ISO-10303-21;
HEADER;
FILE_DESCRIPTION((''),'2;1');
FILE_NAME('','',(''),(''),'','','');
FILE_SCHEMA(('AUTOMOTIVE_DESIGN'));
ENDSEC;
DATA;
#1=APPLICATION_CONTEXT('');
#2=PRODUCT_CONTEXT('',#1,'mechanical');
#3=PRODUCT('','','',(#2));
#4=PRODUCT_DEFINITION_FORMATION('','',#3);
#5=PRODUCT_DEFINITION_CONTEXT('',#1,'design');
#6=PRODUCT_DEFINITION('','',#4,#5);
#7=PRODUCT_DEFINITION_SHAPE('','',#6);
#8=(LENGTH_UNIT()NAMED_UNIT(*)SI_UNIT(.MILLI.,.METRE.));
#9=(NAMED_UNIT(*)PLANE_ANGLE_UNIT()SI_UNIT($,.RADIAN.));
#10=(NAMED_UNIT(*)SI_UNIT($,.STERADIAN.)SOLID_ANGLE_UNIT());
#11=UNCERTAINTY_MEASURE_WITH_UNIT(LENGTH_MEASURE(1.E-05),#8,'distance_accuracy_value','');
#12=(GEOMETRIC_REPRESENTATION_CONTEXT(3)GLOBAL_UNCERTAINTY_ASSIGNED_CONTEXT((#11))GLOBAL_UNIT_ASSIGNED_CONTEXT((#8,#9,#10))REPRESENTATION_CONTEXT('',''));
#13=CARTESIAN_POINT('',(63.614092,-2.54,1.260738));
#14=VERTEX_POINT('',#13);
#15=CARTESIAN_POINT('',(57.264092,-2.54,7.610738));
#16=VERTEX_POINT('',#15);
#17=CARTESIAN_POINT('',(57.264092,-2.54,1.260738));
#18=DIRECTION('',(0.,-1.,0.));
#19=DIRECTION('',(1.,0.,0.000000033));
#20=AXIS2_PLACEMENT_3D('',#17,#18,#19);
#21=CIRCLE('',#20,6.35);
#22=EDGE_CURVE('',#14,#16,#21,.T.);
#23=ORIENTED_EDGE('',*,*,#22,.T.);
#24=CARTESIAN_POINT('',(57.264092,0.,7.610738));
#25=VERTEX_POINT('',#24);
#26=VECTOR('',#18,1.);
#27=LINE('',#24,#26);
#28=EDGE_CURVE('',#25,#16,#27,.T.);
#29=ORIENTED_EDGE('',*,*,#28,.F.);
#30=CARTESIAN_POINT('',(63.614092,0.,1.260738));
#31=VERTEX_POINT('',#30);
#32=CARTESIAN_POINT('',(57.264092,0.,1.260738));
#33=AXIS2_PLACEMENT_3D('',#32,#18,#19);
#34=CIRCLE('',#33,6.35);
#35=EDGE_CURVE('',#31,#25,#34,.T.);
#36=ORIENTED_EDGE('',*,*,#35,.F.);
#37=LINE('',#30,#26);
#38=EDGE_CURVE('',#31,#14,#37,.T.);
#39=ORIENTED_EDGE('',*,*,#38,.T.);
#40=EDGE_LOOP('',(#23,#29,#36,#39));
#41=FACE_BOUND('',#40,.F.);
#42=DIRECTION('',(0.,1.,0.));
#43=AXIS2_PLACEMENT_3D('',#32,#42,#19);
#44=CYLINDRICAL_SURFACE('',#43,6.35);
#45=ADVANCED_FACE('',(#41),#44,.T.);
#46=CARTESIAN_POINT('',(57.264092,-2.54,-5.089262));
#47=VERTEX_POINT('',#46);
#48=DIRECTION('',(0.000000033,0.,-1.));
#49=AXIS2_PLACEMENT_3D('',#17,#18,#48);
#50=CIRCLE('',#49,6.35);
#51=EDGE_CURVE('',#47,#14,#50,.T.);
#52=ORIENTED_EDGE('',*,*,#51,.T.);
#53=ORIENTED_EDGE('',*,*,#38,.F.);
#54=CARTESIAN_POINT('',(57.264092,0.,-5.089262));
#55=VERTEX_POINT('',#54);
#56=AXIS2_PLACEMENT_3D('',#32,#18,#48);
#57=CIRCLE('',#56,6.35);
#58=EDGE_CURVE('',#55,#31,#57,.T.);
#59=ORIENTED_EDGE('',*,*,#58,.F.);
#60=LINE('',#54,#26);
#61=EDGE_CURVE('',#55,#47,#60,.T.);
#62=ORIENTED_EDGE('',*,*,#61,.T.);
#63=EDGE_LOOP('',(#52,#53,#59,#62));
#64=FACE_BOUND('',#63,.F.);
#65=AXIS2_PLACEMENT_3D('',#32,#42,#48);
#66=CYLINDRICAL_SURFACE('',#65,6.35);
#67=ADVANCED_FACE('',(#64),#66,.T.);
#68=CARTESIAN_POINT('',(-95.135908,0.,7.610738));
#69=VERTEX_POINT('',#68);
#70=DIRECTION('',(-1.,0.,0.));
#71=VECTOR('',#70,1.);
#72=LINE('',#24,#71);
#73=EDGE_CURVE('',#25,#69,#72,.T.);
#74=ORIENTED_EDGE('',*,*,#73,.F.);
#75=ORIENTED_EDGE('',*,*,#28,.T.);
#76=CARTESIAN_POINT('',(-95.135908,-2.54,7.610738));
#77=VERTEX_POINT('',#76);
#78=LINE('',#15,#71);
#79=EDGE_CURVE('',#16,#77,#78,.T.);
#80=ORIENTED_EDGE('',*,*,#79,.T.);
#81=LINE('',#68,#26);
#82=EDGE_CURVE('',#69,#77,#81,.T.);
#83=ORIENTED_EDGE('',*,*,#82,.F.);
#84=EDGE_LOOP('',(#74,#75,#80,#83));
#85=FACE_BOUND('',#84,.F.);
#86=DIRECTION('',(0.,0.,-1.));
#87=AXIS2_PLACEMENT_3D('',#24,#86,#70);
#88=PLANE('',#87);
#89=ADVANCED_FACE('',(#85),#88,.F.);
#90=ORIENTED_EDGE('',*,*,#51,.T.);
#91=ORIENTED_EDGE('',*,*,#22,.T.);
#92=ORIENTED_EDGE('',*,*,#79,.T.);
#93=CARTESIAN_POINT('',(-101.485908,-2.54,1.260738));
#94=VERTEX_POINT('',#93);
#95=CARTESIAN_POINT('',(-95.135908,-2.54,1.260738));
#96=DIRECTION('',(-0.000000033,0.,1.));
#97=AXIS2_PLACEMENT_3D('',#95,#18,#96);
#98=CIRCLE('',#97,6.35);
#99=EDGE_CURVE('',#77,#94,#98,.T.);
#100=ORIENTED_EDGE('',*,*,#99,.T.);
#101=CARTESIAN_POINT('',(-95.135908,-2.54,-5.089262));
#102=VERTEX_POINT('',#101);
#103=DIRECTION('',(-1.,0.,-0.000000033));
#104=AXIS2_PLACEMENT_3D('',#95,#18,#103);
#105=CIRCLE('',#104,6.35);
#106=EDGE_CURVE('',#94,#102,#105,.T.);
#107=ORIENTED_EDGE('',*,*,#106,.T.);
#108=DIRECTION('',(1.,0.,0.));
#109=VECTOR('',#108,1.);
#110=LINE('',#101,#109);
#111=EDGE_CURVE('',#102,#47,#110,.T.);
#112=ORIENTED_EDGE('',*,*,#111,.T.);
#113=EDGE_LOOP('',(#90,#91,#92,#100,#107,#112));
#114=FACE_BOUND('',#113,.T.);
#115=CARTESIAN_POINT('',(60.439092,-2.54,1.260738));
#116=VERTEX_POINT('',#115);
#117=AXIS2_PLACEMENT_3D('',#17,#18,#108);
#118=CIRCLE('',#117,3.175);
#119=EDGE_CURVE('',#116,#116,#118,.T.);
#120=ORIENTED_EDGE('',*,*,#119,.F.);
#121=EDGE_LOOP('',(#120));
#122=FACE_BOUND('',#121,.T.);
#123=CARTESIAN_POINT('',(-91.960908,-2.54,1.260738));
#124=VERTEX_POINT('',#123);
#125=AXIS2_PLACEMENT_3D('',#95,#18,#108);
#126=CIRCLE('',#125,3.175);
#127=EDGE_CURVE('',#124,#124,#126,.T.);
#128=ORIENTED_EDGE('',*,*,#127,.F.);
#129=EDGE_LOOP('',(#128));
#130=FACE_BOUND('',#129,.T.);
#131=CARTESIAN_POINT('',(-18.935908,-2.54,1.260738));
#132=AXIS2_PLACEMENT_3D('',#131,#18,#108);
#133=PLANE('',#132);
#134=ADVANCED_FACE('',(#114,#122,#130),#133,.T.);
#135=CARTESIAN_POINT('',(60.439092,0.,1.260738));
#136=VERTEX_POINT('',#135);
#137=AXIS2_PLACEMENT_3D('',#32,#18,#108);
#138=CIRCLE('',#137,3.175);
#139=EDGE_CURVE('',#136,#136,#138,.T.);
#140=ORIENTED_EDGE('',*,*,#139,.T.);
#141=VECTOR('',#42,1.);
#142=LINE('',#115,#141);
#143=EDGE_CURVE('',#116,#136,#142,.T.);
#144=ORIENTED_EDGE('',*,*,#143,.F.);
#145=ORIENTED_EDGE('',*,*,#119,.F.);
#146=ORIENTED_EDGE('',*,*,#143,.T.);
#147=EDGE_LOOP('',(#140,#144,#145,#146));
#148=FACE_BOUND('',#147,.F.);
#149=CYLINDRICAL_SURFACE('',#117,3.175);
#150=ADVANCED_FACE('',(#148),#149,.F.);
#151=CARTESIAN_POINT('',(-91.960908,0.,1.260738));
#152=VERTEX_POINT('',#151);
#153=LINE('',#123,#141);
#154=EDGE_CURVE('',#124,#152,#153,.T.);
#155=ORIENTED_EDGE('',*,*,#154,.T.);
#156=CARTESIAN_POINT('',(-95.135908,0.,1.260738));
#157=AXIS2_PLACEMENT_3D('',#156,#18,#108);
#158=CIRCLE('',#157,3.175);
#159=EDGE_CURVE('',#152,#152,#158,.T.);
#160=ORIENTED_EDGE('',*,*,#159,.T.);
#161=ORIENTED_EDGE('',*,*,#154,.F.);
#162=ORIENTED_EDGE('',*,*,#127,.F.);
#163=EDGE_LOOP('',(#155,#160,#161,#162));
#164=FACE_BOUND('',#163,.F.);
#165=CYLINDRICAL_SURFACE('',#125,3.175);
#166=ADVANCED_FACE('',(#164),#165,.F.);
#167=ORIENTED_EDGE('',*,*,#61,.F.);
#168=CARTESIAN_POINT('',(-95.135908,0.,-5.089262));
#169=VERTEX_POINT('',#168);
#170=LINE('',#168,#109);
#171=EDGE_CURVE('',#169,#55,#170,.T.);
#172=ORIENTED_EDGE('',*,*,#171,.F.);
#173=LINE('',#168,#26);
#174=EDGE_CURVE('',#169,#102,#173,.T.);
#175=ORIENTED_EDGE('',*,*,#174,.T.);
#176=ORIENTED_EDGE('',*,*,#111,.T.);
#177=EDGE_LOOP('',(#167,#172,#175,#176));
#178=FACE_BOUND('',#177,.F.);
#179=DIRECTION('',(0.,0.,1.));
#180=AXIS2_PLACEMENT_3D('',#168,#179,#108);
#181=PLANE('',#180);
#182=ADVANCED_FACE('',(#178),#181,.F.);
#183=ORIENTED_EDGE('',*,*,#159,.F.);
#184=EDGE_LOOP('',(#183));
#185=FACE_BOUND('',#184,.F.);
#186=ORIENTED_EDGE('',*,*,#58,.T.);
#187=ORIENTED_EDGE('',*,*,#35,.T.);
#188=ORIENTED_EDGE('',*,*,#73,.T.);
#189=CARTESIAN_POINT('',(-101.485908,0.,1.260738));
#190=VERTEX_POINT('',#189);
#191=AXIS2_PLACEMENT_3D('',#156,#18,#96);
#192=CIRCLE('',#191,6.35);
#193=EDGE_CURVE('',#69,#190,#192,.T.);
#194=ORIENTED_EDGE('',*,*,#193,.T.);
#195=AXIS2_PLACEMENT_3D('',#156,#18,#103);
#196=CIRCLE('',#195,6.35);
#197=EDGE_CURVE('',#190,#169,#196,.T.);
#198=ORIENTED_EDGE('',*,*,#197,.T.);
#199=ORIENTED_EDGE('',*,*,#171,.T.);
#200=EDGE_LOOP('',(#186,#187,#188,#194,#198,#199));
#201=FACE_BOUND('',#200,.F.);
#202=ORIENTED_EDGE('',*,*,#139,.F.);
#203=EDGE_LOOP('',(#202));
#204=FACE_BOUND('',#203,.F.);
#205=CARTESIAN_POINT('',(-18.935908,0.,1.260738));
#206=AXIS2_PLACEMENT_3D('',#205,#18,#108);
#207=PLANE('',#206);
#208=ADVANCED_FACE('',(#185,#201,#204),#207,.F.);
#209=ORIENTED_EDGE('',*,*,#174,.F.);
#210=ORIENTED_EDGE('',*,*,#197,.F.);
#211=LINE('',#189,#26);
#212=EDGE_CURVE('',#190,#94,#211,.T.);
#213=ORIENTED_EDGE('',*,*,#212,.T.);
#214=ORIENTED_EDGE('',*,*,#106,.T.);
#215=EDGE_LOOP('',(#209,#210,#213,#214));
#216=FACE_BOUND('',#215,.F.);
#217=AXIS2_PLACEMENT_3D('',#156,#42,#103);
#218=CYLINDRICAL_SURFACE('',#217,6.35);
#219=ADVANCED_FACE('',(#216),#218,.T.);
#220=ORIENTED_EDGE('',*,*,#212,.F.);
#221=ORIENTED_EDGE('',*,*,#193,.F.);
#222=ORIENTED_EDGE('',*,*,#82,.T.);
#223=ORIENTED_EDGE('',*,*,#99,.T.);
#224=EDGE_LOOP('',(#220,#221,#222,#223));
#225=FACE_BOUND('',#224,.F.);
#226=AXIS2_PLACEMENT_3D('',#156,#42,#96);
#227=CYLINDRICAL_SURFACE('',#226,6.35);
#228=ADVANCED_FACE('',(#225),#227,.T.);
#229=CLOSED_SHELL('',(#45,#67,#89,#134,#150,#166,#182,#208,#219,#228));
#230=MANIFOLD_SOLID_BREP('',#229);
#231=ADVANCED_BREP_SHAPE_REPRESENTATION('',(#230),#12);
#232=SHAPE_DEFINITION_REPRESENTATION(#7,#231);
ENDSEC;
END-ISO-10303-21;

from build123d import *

# Parameters (mm, degrees)
F1_DEPTH = 2.54
F2_R     = 3.175
F3_DEPTH = 2.541


with BuildPart() as f1:
    # F0 (on Front) → F1 (new body)
    with BuildSketch(Plane.XZ):
        with BuildLine():
            ThreePointArc((-101.485908, 1.260738), (-99.626036, -3.22939), (-95.135908, -5.089262))
            Line((-95.135908, -5.089262), (57.264092, -5.089262))
            ThreePointArc((57.264092, -5.089262), (61.75422, -3.22939), (63.614092, 1.260738))
            ThreePointArc((63.614092, 1.260738), (61.75422, 5.750866), (57.264092, 7.610738))
            Line((57.264092, 7.610738), (-95.135908, 7.610738))
            ThreePointArc((-95.135908, 7.610738), (-99.626036, 5.750866), (-101.485908, 1.260738))
        make_face()
    extrude(amount=F1_DEPTH)

    # F2 (on face) → F3 (cut, through all)
    with BuildSketch(Plane.XZ.offset(2.54)):
        with Locations((-95.135908, 1.260738)):
            Circle(F2_R)
        with Locations((57.264092, 1.260738)):
            Circle(F2_R)
    extrude(amount=-F3_DEPTH, mode=Mode.SUBTRACT)


solid = f1.part
